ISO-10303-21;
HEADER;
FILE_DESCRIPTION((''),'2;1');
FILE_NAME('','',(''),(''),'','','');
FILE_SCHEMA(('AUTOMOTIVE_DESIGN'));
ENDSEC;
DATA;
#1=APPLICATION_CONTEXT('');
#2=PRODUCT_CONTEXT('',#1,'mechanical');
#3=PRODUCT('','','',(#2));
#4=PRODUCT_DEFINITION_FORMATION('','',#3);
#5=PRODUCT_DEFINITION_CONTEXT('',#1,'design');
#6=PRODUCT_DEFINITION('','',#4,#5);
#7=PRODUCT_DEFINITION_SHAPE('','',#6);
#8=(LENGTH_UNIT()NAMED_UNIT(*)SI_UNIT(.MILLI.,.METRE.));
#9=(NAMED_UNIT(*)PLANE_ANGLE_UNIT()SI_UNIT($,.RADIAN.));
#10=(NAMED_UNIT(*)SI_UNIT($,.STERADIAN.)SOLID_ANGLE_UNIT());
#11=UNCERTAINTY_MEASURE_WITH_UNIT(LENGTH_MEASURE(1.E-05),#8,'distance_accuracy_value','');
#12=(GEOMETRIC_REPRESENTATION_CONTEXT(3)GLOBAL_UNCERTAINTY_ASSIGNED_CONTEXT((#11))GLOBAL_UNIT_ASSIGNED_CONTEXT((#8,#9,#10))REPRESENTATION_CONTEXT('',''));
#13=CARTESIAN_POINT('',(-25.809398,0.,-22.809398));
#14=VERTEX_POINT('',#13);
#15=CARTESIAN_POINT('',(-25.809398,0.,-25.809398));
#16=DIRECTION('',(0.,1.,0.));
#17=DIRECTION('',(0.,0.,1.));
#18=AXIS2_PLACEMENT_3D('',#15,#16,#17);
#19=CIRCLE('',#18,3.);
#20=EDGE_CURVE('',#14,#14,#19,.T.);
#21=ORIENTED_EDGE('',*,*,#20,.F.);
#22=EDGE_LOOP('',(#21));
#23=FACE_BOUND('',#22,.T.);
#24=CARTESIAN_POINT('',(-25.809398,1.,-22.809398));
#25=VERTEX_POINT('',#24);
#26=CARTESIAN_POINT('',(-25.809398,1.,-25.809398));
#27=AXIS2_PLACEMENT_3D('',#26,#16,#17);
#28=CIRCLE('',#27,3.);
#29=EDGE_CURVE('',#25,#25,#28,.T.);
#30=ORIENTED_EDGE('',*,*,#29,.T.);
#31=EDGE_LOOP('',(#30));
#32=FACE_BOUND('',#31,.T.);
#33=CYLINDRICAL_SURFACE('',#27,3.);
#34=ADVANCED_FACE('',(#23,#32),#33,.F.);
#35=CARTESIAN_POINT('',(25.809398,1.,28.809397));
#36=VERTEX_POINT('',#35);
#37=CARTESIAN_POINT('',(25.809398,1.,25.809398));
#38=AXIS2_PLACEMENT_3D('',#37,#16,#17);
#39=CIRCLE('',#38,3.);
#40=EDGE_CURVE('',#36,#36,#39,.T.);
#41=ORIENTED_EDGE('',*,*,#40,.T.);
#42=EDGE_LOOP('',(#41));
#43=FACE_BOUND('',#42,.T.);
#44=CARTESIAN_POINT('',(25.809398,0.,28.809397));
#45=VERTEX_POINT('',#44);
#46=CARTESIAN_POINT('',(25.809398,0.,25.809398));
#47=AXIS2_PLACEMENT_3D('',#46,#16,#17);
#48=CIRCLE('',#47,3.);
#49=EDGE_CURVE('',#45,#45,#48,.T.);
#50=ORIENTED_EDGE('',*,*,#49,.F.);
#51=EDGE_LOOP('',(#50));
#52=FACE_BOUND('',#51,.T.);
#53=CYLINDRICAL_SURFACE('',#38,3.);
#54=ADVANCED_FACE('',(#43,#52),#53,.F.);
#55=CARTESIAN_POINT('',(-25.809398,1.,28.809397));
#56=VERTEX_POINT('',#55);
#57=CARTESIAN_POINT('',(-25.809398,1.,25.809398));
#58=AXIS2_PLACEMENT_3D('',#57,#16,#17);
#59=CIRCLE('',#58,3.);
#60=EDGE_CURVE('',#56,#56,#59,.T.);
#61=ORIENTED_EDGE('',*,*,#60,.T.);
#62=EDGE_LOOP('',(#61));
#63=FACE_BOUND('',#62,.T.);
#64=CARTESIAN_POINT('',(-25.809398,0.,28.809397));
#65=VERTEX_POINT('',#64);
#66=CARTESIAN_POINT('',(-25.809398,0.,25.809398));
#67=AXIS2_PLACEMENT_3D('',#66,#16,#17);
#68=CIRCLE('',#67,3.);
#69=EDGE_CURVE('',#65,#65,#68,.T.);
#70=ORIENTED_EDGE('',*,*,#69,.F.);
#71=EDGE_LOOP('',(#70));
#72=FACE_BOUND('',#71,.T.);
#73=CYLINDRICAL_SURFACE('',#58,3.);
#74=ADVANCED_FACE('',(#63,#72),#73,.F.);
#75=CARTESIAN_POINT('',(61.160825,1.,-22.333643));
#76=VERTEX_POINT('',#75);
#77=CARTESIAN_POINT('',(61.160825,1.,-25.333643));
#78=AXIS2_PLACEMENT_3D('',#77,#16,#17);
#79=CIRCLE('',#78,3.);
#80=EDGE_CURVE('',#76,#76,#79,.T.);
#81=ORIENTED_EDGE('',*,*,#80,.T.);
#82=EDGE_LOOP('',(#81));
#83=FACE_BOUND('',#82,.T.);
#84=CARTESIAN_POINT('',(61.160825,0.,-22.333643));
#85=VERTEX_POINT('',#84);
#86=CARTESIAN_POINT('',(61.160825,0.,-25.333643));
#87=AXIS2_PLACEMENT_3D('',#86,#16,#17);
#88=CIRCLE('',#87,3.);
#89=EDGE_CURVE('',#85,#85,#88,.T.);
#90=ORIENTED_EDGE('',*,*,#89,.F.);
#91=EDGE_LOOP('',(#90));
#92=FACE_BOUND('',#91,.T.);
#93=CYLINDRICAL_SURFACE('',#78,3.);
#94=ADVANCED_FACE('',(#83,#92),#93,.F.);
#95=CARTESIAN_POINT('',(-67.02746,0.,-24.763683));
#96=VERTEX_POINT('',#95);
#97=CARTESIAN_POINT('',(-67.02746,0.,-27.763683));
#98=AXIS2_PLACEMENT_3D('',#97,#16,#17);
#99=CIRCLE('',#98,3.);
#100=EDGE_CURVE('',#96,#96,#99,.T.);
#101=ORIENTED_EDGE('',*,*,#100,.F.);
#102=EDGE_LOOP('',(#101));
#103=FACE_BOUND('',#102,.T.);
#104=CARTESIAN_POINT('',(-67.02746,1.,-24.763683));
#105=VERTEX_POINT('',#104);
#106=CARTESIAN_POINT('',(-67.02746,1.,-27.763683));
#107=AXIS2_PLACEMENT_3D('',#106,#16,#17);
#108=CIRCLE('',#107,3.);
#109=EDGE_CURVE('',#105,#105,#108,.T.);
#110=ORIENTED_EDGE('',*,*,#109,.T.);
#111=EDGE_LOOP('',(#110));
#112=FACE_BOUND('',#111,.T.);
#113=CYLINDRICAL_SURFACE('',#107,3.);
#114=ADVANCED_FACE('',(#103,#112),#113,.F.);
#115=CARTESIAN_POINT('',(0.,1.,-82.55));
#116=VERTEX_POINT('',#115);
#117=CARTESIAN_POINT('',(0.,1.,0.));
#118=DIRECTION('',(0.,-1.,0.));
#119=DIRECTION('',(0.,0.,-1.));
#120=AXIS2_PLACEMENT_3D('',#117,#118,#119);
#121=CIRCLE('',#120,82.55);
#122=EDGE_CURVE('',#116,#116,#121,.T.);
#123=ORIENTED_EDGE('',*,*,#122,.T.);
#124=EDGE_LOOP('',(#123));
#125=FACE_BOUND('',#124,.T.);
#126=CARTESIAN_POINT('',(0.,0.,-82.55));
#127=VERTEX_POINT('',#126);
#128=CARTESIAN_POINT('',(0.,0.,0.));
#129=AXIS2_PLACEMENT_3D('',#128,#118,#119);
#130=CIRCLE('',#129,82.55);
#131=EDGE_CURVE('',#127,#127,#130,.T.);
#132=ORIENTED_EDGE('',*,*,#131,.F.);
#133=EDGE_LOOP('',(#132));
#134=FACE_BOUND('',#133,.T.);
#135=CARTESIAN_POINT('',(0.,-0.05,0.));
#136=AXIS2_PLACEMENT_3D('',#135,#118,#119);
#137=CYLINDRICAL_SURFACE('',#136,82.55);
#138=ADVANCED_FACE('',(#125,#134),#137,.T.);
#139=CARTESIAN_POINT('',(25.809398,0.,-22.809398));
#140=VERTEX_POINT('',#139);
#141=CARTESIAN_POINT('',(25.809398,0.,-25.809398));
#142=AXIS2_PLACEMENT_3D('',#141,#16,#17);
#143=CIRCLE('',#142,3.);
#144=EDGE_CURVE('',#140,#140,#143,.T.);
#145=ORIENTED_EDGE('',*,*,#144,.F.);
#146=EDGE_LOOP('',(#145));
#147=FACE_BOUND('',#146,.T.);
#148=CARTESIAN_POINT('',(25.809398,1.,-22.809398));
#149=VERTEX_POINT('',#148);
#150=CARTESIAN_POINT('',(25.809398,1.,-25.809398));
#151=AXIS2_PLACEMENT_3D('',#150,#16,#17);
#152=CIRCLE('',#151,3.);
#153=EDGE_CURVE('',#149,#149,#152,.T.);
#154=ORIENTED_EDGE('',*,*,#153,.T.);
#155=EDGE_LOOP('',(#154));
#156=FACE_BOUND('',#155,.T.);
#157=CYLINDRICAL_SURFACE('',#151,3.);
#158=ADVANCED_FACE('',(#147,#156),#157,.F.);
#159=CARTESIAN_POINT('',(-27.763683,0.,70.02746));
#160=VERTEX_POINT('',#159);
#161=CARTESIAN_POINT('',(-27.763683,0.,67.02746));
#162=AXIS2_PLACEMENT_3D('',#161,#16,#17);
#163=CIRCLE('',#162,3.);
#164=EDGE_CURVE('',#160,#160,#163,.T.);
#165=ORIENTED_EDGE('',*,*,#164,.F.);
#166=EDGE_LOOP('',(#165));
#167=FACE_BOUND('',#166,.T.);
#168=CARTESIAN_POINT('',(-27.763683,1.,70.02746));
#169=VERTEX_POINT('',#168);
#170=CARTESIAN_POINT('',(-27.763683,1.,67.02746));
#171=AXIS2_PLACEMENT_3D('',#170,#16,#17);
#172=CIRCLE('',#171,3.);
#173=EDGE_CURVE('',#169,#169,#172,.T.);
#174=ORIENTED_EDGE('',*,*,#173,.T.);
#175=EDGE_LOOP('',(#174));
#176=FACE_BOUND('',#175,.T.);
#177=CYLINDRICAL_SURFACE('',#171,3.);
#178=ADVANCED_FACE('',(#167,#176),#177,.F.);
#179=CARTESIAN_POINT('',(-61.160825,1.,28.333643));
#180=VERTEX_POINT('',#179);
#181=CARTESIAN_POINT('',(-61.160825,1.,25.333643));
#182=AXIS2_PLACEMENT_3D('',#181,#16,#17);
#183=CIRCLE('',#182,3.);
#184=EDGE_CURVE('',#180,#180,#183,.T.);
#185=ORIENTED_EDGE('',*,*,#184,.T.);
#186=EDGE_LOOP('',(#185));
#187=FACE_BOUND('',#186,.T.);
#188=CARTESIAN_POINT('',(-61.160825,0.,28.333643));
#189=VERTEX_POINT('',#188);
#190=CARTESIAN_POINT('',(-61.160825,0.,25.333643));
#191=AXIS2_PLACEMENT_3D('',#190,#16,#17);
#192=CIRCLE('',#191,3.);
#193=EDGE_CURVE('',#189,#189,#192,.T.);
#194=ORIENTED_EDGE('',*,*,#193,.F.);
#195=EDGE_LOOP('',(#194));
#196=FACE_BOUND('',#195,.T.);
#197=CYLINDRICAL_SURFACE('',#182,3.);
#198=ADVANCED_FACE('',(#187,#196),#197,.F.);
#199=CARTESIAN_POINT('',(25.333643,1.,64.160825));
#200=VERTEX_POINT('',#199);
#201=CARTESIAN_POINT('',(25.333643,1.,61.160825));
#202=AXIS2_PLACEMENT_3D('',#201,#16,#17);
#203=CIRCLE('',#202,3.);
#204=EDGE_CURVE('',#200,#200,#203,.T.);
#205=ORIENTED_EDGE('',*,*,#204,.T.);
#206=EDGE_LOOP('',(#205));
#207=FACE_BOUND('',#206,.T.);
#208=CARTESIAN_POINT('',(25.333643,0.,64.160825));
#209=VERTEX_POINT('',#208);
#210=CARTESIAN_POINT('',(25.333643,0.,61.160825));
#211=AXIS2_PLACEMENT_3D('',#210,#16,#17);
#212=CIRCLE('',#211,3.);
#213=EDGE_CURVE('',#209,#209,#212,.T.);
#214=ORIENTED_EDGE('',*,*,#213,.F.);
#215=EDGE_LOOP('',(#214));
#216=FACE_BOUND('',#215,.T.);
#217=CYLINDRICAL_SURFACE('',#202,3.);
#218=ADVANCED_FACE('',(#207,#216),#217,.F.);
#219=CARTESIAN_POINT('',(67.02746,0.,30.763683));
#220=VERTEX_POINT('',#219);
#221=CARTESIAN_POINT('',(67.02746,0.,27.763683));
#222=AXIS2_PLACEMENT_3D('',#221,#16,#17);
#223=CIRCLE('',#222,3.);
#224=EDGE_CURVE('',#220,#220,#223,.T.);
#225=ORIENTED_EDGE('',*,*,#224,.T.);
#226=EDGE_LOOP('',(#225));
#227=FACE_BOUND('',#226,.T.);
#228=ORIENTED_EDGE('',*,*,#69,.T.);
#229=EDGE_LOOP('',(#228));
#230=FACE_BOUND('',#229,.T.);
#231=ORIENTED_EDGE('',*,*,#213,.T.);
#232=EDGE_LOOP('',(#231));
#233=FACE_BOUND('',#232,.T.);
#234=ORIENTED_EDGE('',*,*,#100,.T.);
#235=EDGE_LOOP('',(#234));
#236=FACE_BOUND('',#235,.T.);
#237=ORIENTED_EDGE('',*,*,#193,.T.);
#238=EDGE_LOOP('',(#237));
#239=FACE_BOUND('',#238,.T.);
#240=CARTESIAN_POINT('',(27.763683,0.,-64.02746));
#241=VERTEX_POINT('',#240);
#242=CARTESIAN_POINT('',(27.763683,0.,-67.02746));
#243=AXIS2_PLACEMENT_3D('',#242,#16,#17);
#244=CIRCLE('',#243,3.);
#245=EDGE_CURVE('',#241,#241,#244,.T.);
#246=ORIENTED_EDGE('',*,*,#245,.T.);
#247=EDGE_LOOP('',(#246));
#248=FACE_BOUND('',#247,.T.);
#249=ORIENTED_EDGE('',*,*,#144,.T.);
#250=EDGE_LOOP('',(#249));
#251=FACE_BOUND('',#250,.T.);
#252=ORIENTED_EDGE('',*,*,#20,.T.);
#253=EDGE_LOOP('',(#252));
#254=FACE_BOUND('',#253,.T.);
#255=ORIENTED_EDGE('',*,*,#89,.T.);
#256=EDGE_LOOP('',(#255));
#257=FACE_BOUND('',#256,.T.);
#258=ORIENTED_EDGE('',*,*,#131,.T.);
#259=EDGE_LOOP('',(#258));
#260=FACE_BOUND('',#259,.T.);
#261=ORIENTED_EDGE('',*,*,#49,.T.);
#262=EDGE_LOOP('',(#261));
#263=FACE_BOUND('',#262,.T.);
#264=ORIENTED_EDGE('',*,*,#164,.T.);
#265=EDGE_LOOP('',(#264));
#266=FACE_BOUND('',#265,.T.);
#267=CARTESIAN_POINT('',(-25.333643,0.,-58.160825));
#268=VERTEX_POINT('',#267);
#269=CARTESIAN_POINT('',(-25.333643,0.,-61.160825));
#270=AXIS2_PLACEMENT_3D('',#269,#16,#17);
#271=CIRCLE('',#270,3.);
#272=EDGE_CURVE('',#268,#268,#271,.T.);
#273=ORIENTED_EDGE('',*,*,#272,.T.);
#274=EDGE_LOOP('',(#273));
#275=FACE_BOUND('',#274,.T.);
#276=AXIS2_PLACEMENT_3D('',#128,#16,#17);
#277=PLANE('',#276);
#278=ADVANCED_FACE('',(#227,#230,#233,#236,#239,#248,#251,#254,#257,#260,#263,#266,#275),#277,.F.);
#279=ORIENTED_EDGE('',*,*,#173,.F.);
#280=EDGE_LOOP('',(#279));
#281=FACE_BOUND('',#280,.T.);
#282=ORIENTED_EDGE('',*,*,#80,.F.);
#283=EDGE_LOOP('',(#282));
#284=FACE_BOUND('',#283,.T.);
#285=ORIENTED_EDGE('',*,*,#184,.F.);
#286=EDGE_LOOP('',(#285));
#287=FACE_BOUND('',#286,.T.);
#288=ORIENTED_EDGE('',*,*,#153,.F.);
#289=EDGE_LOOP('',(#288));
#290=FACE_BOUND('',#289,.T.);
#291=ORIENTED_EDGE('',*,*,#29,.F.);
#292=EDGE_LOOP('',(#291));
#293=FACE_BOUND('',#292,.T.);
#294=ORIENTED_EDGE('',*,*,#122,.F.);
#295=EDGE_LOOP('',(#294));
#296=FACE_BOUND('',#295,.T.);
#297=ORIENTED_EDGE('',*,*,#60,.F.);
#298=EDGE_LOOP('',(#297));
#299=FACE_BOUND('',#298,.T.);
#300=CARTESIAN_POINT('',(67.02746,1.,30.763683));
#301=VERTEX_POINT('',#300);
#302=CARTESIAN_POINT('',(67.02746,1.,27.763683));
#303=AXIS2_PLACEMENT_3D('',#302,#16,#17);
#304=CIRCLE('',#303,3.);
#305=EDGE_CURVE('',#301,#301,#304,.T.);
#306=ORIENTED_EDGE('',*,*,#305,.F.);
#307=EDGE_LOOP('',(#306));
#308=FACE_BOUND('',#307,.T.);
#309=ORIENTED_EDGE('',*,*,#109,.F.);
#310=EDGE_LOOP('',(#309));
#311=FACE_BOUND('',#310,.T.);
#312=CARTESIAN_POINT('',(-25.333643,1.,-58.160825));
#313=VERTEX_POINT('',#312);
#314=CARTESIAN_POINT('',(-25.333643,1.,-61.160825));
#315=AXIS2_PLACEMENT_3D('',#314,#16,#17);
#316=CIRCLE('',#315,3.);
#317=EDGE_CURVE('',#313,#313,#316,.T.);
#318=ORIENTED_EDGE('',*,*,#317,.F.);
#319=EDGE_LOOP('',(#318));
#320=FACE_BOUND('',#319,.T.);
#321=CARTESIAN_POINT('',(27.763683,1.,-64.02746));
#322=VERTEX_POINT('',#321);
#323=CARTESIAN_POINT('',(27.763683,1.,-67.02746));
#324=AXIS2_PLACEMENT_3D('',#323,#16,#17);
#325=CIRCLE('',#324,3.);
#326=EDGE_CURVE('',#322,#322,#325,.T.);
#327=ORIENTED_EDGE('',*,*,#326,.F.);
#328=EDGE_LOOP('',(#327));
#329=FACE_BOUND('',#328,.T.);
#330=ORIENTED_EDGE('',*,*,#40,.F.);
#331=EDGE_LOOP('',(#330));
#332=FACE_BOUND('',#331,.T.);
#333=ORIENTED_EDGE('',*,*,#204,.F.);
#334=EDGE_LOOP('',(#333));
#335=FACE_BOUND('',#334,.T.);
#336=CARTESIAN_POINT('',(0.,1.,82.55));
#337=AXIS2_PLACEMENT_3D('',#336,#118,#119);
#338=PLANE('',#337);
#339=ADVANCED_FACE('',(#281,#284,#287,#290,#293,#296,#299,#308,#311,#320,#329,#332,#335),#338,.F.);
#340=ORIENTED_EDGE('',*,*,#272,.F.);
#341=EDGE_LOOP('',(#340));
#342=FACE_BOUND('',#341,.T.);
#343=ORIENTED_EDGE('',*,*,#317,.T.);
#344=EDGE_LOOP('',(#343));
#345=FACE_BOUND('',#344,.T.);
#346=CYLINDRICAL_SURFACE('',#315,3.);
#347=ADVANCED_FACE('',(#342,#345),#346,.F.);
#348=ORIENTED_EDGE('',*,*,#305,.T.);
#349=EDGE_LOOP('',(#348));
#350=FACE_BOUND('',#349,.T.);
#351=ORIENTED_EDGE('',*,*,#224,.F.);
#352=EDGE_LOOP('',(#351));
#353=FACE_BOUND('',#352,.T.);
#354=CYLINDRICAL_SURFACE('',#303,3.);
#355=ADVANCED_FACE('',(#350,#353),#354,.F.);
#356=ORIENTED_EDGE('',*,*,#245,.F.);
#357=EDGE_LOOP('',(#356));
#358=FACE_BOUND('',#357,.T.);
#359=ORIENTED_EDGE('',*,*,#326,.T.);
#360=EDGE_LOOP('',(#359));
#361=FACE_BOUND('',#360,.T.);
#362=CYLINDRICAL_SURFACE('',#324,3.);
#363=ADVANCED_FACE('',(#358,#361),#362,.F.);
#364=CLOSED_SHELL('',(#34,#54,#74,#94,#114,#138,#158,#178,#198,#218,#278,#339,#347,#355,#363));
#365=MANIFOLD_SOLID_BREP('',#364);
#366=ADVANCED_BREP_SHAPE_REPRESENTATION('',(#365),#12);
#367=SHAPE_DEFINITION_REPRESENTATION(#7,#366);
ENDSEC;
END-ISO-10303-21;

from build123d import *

# Parameters (mm, degrees)
SKETCH2_W                    = 82.55
SKETCH2_H                    = 1
F_10_0_1935_DIAMETER_HOLE1_D = 5.999999938
CIRPATTERN3_COUNT            = 4


with BuildPart() as part:
    # Sketch2 → Revolve1 (revolve)
    with BuildSketch(Plane(origin=(0, 0, 0), x_dir=(0, 0, -1), z_dir=(1, 0, 0))):
        with Locations((-41.275, 0.5)):
            Rectangle(SKETCH2_W, SKETCH2_H)
    revolve(axis=Axis((0, -0.05, 0), (0, 1, 0)))

    # #10 (0.1935) Diameter Hole1 (through all)
    with Locations(Plane(origin=(0, 1, 0), x_dir=(1, 0, 0), z_dir=(0, 1, 0))):
        with Locations((-25.333643223, 61.160825052), (264.743675233, 73.787758551), (-67.027460084, 27.763683018), (-25.809397513, 25.809397513)):
            f_10_0_1935_diameter_hole1 = Hole(F_10_0_1935_DIAMETER_HOLE1_D / 2)

    # CirPattern3: #10 (0.1935) Diameter Hole1 ×4 about axis
    cirpattern3_axis = Axis((0, 0, 0), (0, 1, 0))
    for i in range(1, CIRPATTERN3_COUNT):
        add(f_10_0_1935_diameter_hole1.rotate(cirpattern3_axis, i * 360 / CIRPATTERN3_COUNT), mode=Mode.SUBTRACT)


solid = part.part
